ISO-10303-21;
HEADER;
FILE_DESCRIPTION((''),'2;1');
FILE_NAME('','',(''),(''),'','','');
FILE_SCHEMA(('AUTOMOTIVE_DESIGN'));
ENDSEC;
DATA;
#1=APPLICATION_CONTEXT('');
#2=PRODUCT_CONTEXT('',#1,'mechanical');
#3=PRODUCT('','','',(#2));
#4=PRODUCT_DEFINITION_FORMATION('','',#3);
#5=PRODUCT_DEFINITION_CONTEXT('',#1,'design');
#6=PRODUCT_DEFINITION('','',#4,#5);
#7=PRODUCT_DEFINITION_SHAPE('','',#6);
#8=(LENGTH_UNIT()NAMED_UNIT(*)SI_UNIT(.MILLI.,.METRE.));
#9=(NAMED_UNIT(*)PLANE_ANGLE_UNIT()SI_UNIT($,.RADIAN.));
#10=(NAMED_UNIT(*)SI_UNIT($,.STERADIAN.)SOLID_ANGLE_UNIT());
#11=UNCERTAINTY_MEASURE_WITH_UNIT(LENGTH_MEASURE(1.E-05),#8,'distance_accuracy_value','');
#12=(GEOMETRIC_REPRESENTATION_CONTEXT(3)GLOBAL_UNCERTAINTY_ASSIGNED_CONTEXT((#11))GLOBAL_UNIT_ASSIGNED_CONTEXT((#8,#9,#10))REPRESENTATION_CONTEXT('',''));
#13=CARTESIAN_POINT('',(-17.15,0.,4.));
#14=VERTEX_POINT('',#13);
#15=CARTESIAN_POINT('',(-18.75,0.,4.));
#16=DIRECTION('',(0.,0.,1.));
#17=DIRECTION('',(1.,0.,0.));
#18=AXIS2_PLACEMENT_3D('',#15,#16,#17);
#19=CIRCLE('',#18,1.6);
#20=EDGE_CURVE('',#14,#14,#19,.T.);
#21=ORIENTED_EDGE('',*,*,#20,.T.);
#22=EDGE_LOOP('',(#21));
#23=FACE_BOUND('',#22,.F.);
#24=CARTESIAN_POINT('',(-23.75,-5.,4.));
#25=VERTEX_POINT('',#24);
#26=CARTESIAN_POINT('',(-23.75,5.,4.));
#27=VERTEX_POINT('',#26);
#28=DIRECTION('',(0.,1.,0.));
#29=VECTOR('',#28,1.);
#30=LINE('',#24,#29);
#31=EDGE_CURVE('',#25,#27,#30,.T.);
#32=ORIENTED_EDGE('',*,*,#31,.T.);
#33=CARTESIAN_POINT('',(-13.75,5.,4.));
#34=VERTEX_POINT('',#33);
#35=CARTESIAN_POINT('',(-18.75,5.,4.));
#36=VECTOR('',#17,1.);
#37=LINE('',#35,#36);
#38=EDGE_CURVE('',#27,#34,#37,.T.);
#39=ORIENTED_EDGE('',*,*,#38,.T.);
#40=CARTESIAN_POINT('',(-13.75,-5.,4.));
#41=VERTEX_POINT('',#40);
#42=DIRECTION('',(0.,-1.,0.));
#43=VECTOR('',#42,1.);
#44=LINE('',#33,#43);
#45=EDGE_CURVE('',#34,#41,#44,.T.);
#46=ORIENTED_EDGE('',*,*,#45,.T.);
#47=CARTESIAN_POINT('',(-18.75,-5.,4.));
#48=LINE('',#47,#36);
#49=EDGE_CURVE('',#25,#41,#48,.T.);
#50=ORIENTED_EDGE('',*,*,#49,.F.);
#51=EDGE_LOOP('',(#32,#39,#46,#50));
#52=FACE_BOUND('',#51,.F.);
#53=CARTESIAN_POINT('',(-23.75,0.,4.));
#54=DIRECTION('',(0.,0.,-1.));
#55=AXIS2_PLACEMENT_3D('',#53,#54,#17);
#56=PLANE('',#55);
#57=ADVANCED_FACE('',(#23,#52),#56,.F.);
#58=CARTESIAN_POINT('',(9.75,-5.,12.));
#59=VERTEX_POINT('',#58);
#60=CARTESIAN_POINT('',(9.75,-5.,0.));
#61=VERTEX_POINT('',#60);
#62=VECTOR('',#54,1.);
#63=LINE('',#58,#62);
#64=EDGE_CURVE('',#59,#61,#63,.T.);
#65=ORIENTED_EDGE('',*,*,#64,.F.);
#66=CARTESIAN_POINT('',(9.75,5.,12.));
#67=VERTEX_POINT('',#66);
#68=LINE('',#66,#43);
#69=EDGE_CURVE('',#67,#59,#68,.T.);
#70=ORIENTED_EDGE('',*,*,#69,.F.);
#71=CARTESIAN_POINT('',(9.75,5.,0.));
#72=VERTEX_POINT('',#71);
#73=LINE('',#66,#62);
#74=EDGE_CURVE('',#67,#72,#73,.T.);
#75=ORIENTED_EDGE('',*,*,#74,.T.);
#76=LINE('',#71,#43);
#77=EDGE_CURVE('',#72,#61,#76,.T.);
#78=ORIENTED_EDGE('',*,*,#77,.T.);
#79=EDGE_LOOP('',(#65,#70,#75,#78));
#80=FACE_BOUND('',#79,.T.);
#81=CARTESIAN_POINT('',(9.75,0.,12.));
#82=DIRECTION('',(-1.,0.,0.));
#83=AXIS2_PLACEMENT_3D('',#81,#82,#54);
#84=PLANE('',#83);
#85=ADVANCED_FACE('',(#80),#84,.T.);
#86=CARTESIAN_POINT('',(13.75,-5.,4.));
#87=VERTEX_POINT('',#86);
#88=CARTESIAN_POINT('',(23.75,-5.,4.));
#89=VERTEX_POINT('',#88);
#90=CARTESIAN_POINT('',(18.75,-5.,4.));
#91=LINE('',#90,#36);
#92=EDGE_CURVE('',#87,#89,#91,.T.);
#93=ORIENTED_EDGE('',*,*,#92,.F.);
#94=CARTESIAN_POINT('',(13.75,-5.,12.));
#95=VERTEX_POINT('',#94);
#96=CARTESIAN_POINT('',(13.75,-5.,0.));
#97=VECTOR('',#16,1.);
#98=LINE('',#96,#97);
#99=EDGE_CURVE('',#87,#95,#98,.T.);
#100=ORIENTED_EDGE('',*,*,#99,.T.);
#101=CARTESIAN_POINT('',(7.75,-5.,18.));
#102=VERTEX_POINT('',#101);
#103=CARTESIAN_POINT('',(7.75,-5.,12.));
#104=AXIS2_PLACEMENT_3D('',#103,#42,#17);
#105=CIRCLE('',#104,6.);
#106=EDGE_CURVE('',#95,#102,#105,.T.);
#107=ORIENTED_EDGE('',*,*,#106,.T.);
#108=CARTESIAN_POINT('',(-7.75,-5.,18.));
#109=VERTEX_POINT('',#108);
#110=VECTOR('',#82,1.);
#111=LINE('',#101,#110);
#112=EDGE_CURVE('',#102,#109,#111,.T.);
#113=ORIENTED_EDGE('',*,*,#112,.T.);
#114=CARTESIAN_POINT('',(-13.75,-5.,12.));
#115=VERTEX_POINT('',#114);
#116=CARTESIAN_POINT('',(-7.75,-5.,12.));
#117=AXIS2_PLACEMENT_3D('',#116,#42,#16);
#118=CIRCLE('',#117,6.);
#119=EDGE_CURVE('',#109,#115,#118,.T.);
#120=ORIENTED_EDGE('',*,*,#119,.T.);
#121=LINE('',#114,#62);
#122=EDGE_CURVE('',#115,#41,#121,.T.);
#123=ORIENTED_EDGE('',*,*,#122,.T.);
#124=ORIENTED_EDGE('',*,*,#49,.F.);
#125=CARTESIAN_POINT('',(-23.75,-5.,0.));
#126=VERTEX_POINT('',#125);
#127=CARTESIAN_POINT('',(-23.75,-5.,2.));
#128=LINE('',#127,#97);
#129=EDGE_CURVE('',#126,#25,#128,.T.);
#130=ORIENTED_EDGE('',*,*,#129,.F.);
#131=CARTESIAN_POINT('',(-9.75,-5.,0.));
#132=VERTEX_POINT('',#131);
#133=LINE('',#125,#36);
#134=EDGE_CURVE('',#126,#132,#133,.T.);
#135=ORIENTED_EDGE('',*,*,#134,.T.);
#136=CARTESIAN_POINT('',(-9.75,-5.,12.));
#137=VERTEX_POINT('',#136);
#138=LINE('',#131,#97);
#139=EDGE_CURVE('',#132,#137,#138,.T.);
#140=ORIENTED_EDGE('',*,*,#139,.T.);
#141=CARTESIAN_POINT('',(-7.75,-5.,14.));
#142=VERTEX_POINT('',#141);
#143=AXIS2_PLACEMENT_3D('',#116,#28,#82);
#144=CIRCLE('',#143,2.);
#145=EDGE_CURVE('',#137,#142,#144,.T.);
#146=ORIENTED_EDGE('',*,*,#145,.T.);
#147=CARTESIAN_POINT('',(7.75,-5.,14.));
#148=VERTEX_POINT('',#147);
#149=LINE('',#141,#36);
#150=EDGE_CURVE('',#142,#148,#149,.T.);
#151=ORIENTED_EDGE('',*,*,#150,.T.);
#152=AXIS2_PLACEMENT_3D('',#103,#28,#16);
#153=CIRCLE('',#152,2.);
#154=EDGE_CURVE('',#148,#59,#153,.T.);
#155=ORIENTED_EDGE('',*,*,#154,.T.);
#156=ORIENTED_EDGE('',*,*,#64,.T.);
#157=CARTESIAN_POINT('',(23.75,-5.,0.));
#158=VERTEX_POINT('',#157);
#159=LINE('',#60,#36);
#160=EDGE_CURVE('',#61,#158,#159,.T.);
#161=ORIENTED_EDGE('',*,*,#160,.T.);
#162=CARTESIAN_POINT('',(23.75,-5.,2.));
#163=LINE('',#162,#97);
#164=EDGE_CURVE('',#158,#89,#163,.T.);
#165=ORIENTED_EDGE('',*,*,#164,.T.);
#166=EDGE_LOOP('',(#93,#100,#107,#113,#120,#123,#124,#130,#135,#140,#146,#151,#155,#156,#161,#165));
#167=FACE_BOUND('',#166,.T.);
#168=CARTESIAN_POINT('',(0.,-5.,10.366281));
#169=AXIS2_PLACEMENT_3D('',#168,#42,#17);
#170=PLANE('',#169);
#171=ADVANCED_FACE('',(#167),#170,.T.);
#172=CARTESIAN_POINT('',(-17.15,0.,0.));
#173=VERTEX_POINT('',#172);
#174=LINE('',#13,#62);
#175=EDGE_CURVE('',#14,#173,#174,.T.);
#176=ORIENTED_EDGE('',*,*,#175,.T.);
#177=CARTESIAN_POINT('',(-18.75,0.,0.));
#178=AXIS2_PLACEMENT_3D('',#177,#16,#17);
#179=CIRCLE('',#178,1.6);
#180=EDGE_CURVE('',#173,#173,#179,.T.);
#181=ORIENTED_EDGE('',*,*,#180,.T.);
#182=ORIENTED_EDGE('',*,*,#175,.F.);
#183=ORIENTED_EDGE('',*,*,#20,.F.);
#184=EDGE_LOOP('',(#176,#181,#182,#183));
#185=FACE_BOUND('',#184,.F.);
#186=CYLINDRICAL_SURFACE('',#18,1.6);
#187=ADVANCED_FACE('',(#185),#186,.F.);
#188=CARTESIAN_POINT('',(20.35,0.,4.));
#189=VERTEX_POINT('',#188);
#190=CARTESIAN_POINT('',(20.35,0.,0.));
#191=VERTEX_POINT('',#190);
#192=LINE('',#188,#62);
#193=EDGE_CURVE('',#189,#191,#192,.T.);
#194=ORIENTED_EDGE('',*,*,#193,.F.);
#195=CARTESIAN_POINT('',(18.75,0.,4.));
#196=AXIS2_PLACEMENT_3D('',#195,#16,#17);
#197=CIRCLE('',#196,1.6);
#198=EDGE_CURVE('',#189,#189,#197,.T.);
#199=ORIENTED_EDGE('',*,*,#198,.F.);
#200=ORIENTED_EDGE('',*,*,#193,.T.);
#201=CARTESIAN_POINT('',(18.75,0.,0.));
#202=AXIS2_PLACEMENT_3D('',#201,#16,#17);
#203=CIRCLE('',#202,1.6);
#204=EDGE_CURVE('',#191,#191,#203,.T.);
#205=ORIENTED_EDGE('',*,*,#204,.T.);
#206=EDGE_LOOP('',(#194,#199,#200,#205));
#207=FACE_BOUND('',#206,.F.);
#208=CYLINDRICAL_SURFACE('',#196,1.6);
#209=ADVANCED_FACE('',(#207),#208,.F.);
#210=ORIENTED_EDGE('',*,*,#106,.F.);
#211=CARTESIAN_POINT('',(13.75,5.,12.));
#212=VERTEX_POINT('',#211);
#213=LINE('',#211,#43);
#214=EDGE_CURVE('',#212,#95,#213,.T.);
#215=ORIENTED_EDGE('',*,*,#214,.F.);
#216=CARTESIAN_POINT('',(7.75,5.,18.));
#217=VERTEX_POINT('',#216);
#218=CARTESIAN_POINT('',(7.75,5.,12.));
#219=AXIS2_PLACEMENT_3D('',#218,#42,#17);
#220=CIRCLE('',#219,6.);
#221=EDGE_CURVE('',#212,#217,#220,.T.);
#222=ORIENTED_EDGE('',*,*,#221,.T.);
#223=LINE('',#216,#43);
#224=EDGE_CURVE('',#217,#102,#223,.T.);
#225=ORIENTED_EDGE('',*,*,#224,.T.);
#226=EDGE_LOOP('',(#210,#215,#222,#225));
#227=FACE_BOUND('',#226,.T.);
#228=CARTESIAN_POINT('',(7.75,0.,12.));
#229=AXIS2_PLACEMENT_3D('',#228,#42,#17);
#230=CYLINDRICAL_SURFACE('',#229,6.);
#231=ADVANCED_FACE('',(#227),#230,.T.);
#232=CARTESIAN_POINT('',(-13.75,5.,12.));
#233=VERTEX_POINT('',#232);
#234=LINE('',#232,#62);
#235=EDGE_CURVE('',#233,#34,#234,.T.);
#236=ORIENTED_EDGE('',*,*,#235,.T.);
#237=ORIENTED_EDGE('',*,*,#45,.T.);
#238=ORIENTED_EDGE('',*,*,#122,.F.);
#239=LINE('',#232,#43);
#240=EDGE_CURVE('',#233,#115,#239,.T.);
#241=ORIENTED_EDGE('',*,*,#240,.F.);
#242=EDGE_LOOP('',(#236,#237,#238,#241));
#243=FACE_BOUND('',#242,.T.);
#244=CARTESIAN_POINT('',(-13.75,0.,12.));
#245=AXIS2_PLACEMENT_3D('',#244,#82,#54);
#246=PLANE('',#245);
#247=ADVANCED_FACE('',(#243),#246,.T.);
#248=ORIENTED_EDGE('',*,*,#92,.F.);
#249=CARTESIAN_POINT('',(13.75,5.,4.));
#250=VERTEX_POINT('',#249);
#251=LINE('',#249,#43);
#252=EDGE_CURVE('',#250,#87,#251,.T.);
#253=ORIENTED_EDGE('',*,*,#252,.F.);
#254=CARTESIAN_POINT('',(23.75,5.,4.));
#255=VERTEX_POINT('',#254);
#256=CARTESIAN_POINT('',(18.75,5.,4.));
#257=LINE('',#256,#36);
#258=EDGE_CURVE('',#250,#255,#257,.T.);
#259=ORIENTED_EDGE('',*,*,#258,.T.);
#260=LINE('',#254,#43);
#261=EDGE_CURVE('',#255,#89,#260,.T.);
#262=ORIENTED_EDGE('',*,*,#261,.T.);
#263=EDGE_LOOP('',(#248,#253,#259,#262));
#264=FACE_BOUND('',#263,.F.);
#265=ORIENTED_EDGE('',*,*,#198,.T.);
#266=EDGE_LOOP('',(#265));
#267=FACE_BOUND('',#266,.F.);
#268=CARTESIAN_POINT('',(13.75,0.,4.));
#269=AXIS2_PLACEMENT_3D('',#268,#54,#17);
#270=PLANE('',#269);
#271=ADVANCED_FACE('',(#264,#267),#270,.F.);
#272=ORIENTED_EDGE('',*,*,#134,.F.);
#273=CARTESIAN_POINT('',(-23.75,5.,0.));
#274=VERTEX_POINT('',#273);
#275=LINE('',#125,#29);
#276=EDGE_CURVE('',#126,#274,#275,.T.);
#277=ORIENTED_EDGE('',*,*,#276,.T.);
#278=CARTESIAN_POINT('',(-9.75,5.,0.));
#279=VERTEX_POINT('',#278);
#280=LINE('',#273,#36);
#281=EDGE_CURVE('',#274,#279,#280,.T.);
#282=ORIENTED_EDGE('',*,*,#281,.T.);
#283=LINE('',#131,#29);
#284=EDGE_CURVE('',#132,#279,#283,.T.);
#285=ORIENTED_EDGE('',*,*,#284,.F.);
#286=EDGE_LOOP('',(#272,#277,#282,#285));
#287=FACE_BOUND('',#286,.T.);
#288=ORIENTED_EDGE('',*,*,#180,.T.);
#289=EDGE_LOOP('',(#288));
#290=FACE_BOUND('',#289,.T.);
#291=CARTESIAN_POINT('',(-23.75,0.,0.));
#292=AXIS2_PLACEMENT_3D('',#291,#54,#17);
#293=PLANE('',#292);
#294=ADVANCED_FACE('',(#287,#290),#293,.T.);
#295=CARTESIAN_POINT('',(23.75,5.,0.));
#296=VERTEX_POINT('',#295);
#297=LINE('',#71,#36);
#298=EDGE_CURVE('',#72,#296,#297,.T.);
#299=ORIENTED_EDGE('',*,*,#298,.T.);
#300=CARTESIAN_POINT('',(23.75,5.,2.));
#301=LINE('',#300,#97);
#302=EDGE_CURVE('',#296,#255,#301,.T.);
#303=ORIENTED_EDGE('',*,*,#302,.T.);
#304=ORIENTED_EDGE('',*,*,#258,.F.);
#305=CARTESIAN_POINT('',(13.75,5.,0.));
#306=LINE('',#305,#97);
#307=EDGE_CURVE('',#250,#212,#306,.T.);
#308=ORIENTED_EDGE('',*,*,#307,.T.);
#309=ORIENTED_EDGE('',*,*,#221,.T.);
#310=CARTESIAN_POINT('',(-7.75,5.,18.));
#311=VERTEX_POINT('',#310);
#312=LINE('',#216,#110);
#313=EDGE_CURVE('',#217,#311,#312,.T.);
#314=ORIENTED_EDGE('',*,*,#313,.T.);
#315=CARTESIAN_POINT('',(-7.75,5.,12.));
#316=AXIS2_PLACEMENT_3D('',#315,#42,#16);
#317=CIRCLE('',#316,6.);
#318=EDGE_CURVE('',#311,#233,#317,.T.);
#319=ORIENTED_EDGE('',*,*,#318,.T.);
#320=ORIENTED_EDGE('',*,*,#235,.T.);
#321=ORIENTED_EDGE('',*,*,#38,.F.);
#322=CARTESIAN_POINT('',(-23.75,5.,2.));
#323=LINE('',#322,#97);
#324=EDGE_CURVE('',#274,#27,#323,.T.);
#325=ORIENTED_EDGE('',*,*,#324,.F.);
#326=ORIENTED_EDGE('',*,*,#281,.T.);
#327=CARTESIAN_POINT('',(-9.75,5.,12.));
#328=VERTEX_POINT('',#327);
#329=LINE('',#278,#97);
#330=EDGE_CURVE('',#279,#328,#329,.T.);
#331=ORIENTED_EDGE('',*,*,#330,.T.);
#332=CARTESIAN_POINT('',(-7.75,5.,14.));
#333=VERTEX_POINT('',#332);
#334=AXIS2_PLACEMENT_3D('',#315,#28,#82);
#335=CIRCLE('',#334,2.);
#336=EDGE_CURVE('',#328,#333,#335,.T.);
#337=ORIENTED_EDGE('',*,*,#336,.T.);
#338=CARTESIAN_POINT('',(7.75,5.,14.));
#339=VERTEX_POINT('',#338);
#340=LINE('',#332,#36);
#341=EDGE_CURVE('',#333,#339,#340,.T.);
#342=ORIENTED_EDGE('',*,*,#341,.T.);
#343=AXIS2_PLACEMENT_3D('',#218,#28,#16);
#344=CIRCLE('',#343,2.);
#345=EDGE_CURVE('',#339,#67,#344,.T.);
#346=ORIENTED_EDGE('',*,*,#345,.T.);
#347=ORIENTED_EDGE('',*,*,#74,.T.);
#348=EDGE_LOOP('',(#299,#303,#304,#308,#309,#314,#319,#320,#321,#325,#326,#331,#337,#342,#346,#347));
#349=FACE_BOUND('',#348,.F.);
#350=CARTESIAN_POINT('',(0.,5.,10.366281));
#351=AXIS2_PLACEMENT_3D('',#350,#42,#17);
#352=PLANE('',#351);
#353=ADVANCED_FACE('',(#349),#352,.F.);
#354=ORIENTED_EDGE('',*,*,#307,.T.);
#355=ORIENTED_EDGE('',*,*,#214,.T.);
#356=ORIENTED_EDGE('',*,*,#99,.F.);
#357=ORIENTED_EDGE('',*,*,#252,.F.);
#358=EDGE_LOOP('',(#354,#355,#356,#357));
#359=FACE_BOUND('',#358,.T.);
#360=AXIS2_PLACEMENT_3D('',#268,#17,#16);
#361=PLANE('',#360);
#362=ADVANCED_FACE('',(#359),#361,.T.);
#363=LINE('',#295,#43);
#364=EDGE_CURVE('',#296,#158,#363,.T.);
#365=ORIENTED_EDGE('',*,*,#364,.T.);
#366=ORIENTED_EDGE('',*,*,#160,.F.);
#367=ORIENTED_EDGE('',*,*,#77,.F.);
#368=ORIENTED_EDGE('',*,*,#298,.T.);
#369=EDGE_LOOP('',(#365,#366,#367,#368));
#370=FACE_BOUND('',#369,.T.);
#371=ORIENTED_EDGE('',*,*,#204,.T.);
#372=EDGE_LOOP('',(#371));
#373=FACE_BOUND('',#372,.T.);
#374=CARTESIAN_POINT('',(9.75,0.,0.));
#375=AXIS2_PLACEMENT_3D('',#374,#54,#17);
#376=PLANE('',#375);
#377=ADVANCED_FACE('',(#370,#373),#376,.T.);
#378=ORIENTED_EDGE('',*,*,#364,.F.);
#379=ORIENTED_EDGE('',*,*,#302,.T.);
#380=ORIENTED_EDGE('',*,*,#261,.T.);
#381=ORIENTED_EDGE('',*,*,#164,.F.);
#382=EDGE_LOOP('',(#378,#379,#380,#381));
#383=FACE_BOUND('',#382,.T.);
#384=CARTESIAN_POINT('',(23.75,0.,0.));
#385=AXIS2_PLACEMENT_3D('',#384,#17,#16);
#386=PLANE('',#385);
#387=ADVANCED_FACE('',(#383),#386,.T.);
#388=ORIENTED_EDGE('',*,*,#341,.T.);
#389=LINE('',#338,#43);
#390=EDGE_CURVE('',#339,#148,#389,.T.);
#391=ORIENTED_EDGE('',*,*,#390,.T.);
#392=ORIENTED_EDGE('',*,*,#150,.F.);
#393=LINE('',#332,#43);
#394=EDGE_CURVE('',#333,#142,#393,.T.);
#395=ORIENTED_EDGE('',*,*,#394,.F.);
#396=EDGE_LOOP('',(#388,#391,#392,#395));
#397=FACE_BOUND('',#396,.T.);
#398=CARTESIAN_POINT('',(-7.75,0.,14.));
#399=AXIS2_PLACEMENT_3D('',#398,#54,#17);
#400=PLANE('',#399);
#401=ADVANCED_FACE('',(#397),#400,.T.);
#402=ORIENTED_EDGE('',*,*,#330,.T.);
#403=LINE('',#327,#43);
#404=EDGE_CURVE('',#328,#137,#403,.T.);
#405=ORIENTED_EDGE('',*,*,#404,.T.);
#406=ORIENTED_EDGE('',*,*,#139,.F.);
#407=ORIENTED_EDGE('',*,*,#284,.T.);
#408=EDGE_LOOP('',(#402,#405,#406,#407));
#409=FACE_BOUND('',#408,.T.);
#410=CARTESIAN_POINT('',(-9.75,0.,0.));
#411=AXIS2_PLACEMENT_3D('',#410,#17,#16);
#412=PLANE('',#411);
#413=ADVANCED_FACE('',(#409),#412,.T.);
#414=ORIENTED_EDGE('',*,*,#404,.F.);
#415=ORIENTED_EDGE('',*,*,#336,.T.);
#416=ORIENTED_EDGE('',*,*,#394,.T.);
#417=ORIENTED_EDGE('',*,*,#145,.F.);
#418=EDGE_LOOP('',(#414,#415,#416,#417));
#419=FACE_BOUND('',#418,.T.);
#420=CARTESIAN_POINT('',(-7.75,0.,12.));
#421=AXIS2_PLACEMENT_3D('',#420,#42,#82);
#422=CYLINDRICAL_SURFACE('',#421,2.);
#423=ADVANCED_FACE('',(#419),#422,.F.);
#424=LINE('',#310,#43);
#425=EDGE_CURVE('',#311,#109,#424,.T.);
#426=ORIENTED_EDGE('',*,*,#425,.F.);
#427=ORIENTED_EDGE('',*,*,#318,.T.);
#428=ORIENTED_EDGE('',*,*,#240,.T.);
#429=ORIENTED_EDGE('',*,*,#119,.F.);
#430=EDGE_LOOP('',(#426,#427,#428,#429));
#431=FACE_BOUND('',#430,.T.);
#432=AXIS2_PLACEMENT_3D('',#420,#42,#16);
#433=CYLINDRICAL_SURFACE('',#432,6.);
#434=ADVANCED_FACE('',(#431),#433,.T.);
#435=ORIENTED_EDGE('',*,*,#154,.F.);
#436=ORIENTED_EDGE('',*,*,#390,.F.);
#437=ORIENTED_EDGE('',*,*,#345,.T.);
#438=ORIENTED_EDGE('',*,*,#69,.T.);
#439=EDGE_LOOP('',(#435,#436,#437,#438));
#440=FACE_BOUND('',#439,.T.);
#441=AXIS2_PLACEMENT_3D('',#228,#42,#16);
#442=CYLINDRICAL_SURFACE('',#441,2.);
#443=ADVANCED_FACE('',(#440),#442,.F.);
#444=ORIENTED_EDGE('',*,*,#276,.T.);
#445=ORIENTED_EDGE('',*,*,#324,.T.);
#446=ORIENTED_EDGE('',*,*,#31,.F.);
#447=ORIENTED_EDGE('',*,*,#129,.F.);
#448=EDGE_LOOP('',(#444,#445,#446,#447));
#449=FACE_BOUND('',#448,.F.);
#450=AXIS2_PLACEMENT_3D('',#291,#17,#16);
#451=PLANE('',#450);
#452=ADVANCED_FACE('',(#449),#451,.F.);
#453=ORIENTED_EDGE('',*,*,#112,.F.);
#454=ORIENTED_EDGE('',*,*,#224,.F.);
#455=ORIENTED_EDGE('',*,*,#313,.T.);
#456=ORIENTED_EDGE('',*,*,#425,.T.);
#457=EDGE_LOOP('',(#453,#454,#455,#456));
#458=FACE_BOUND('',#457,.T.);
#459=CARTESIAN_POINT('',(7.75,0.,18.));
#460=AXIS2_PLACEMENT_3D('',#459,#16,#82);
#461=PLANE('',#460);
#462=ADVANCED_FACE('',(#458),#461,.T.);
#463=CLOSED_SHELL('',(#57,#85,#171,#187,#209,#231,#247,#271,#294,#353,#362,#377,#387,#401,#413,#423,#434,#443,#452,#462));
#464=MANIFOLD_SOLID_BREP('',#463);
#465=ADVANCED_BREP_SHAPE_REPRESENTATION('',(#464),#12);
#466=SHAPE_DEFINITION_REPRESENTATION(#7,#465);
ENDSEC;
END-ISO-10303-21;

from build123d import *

# Parameters (mm, degrees)
F1_W     = 10
F1_H     = 4
F2_DEPTH = 5
F3_R     = 1.6
F4_DEPTH = 4.001


with BuildPart() as f2:
    # F1 (on Front) → F2 (new body, symmetric)
    with BuildSketch(Plane.XZ):
        with BuildLine():
            Line((-13.75, 0), (-9.75, 0))
            Line((-9.75, 0), (-9.75, 12))
            ThreePointArc((-9.75, 12), (-9.1642135624, 13.4142135624), (-7.75, 14))
            Line((-7.75, 14), (7.75, 14))
            ThreePointArc((7.75, 14), (9.1642135624, 13.4142135624), (9.75, 12))
            Line((9.75, 12), (9.75, 0))
            Line((9.75, 0), (13.75, 0))
            Line((13.75, 0), (13.75, 4))
            Line((13.75, 4), (13.75, 12))
            ThreePointArc((13.75, 12), (11.9926406871, 16.2426406871), (7.75, 18))
            Line((7.75, 18), (-7.75, 18))
            ThreePointArc((-7.75, 18), (-11.9926406871, 16.2426406871), (-13.75, 12))
            Line((-13.75, 12), (-13.75, 4))
            Line((-13.75, 4), (-13.75, 0))
        make_face()
        with Locations((18.75, 2)):
            Rectangle(F1_W, F1_H)
        with Locations((-18.75, 2)):
            Rectangle(F1_W, F1_H)
    extrude(amount=F2_DEPTH, both=True)

    # F3 (on face) → F4 (cut, through all)
    with BuildSketch(Plane.XY.offset(4)):
        with Locations((-18.75, 0)):
            Circle(F3_R)
        with Locations((18.75, 0)):
            Circle(F3_R)
    extrude(amount=-F4_DEPTH, mode=Mode.SUBTRACT)


solid = f2.part
